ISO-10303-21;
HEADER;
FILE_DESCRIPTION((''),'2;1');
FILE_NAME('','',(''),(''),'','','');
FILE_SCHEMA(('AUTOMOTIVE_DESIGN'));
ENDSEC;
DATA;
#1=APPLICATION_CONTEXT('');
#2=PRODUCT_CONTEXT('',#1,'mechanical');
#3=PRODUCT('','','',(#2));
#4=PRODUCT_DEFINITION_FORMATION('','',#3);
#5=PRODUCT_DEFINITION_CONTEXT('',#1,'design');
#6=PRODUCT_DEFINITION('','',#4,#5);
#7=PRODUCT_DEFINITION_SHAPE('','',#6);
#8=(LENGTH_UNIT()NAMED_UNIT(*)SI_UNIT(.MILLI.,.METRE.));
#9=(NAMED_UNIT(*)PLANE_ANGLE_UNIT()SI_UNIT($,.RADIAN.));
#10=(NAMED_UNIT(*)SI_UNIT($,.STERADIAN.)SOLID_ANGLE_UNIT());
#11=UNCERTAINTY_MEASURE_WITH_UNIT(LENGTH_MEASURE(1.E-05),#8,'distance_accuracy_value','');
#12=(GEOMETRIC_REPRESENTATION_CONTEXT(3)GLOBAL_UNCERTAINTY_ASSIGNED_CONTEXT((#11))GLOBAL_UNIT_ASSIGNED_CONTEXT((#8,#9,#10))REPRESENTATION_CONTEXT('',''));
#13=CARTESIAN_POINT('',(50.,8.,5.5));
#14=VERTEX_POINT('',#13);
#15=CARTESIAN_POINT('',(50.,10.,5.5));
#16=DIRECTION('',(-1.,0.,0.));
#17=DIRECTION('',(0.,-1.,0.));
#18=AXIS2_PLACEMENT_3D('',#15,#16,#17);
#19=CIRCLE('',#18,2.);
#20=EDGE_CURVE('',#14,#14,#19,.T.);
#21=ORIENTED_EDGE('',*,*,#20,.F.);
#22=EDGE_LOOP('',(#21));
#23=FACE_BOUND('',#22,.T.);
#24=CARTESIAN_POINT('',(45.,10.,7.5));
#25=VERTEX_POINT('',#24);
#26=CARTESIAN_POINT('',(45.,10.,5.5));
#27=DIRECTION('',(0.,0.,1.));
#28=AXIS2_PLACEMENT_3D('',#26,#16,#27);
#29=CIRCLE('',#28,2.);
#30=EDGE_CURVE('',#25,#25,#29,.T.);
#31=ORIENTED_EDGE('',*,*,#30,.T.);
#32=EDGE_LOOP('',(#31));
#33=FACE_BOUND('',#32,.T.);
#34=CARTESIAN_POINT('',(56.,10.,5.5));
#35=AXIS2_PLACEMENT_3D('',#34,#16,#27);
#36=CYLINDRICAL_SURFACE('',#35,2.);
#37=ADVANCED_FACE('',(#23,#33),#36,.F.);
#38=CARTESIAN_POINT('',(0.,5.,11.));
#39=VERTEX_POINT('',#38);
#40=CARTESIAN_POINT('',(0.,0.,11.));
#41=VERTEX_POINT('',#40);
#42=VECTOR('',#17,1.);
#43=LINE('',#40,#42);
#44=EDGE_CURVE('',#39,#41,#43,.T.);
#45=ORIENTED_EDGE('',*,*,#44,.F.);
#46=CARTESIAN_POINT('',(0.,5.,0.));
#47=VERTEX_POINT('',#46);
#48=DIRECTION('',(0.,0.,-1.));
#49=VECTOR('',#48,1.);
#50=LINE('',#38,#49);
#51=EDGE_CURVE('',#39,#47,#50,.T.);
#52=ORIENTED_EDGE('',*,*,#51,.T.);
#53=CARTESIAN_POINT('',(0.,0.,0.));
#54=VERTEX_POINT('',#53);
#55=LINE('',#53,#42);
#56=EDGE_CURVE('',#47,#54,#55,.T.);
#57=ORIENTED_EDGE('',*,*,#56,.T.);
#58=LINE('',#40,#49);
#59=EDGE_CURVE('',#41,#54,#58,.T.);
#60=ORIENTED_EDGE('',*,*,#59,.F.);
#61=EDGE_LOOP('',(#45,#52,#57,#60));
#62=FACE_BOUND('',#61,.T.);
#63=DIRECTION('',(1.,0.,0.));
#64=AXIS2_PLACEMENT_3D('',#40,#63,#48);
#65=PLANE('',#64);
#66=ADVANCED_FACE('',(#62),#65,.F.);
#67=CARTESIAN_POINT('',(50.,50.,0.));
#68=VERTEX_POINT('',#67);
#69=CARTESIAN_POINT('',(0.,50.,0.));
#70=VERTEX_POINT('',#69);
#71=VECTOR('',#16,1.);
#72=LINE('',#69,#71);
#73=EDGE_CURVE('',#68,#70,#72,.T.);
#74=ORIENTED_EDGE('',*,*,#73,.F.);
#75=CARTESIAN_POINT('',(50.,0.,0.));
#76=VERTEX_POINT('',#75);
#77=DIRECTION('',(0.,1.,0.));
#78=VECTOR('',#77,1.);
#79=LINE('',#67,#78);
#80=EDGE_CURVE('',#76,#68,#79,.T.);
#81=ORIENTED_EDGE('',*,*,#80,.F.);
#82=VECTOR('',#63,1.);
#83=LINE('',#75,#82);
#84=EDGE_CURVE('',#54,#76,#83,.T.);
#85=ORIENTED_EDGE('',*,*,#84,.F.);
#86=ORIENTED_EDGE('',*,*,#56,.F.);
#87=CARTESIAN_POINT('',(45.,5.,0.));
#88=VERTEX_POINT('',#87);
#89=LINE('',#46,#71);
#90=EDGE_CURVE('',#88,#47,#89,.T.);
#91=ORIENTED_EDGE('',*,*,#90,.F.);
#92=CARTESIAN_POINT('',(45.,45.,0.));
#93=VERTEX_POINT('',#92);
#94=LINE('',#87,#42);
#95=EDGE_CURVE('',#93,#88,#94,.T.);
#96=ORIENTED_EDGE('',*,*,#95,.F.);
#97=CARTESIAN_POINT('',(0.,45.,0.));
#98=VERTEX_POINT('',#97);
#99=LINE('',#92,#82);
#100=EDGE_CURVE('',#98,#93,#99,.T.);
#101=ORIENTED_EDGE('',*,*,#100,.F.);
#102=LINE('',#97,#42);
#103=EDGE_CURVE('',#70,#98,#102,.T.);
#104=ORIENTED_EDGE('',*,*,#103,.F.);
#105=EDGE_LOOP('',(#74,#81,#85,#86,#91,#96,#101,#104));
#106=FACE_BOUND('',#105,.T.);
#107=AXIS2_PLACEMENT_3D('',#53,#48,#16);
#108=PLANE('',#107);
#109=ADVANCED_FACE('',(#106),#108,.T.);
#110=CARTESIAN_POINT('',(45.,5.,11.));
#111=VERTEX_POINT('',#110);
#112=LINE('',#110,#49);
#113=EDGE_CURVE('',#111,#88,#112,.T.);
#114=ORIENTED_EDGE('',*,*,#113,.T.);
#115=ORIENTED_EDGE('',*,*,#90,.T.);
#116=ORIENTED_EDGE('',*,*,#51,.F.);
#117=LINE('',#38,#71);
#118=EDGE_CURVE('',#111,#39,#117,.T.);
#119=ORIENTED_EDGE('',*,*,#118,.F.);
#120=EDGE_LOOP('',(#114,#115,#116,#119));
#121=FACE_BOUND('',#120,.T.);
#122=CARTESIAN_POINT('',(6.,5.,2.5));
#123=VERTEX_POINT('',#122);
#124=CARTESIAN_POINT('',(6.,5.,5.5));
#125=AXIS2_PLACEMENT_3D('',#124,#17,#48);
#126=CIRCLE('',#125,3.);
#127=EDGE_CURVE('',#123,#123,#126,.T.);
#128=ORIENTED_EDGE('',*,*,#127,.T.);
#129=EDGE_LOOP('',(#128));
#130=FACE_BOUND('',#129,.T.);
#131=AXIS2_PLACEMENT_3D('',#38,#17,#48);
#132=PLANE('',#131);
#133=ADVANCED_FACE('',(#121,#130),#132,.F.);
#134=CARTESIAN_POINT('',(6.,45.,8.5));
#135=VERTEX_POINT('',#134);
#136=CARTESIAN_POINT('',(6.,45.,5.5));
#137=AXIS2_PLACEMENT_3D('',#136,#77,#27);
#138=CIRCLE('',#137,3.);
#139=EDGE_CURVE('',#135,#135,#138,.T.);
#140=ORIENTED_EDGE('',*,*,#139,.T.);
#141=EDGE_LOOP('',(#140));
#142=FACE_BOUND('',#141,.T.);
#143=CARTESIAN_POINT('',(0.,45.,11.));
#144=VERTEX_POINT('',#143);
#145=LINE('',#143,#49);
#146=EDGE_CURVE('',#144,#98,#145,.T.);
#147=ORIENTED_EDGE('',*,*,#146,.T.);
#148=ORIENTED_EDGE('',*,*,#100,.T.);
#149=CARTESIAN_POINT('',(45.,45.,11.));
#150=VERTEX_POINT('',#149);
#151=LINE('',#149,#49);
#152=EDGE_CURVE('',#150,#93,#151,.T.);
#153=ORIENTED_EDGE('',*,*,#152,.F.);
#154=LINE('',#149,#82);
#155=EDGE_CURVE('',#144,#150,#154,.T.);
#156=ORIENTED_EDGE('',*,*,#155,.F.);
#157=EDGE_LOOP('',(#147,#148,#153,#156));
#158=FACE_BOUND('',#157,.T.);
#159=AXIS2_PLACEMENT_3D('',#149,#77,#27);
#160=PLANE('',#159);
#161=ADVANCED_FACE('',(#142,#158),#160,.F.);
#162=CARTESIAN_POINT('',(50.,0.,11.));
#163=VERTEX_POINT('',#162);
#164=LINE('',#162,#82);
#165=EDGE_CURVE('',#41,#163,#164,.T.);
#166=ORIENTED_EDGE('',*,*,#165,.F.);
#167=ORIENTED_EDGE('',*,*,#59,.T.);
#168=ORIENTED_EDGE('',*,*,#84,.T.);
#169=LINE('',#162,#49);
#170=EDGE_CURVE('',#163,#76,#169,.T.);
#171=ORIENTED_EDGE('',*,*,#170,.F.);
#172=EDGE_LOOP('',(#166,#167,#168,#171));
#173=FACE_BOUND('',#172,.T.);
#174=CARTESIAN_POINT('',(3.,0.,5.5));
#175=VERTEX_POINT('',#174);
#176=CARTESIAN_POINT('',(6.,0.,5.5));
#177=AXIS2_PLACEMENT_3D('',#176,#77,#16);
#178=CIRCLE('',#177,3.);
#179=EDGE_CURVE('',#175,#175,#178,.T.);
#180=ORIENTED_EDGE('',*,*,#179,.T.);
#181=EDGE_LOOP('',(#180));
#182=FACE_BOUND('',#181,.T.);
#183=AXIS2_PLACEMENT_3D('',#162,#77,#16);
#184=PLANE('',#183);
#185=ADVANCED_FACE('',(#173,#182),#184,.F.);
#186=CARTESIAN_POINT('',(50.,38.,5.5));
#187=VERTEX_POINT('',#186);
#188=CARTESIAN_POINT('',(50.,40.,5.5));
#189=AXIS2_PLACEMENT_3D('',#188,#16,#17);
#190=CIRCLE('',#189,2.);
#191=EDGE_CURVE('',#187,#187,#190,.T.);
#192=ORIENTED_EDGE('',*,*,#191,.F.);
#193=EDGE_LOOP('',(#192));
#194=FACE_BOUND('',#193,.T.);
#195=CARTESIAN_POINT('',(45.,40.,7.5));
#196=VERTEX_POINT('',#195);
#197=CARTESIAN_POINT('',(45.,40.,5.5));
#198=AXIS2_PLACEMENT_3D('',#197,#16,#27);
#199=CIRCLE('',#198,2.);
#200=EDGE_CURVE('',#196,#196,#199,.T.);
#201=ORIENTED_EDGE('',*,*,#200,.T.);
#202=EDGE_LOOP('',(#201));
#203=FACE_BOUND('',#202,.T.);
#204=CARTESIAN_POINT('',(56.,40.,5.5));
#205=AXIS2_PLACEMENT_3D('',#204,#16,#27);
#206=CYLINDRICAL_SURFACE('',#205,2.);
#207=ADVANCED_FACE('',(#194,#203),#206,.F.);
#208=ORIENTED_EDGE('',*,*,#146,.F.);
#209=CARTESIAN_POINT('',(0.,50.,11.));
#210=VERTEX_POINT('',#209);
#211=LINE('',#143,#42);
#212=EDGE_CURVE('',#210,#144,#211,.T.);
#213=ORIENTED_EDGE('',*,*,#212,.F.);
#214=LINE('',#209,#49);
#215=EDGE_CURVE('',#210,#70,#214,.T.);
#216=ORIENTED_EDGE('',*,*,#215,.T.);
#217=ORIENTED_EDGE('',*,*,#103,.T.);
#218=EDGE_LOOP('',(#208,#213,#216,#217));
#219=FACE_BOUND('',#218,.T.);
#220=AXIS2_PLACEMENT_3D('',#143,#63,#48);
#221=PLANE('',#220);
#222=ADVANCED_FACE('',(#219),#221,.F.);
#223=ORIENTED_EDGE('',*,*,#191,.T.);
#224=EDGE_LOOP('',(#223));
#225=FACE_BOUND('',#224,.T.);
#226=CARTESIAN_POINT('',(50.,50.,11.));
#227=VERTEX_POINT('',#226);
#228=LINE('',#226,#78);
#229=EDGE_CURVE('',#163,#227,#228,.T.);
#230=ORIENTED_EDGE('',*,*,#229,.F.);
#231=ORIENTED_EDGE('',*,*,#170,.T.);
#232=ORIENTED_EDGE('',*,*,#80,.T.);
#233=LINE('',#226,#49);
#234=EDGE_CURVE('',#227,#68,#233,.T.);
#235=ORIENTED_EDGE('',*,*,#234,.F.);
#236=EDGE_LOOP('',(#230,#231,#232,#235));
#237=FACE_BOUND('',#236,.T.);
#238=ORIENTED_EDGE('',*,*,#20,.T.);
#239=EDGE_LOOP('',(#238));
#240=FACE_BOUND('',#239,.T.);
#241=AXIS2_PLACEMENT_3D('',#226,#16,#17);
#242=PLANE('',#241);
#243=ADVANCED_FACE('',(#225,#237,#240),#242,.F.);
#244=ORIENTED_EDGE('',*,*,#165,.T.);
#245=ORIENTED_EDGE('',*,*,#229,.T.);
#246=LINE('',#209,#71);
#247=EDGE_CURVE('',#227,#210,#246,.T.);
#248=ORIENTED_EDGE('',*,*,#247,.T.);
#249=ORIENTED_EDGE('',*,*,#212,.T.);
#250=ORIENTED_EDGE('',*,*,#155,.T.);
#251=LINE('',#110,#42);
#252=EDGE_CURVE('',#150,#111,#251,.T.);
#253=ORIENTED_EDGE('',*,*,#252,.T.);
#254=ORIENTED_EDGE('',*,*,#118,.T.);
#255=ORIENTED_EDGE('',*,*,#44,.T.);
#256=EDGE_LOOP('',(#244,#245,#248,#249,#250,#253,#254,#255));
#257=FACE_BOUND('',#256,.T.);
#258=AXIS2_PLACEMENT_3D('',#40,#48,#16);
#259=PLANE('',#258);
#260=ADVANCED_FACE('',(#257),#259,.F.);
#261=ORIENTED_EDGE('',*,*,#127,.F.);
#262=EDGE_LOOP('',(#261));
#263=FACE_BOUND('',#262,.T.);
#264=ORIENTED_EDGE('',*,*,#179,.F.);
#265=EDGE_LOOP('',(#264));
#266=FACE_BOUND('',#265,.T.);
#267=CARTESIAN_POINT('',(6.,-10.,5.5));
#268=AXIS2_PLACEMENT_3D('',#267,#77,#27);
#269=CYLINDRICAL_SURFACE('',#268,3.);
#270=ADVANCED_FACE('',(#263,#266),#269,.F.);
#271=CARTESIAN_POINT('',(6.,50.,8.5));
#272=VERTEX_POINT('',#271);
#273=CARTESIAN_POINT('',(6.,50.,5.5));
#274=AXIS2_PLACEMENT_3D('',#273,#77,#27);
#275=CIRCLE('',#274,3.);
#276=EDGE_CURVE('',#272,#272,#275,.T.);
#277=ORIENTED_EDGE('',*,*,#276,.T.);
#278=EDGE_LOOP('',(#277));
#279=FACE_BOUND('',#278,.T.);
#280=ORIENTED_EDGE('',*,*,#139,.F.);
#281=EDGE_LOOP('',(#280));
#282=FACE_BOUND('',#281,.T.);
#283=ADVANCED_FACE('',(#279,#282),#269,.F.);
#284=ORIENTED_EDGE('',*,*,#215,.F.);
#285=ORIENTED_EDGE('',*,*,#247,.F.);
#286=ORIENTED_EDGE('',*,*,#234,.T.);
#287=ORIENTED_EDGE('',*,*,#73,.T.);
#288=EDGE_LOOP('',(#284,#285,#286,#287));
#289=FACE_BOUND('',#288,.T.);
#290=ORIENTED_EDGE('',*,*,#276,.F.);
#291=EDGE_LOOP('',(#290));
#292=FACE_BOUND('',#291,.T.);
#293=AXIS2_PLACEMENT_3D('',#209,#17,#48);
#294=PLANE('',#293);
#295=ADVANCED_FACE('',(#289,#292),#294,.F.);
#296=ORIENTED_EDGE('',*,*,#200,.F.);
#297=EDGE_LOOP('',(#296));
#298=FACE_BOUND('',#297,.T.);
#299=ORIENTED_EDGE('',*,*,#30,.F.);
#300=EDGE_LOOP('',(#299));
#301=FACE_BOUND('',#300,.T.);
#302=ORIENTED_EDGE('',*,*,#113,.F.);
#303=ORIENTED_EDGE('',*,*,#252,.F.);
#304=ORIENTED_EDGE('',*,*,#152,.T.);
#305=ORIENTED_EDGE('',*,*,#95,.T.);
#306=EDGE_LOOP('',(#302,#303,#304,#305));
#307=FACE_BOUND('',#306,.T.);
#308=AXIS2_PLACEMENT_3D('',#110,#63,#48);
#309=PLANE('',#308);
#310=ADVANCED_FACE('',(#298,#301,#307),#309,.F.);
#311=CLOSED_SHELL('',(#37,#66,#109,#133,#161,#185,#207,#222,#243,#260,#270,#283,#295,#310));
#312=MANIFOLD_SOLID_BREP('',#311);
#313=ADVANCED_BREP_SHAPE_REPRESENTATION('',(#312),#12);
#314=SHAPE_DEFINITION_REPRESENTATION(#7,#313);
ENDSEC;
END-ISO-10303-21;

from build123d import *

# Parameters (mm, degrees)
BOSS_EXTRUDE1_DEPTH = 11
SKETCH2_R           = 3
CUT_EXTRUDE1_DEPTH  = 60
SKETCH4_R           = 2
CUT_EXTRUDE2_DEPTH  = 11


with BuildPart() as part:
    # Sketch1 → Boss-Extrude1 (new body)
    with BuildSketch(Plane.XY):
        Polygon((0, 50), (50, 50), (50, 0), (0, 0), (0, 5), (45, 5), (45, 45), (0, 45), align=None)
    extrude(amount=BOSS_EXTRUDE1_DEPTH)

    # Sketch2 → Cut-Extrude1 (cut)
    with BuildSketch(Plane(origin=(0, 50, 0), x_dir=(1, 0, 0), z_dir=(0, 1, 0))):
        with Locations(Location((6, -5.5, 0), (0, 0, 270))):
            Circle(SKETCH2_R)
    extrude(amount=-CUT_EXTRUDE1_DEPTH, mode=Mode.SUBTRACT)

    # Sketch4 → Cut-Extrude2 (cut)
    with BuildSketch(Plane.ZY.offset(-45)):
        with Locations((5.5, 40)):
            Circle(SKETCH4_R)
        with Locations((5.5, 10)):
            Circle(SKETCH4_R)
    extrude(amount=-CUT_EXTRUDE2_DEPTH, mode=Mode.SUBTRACT)


solid = part.part
